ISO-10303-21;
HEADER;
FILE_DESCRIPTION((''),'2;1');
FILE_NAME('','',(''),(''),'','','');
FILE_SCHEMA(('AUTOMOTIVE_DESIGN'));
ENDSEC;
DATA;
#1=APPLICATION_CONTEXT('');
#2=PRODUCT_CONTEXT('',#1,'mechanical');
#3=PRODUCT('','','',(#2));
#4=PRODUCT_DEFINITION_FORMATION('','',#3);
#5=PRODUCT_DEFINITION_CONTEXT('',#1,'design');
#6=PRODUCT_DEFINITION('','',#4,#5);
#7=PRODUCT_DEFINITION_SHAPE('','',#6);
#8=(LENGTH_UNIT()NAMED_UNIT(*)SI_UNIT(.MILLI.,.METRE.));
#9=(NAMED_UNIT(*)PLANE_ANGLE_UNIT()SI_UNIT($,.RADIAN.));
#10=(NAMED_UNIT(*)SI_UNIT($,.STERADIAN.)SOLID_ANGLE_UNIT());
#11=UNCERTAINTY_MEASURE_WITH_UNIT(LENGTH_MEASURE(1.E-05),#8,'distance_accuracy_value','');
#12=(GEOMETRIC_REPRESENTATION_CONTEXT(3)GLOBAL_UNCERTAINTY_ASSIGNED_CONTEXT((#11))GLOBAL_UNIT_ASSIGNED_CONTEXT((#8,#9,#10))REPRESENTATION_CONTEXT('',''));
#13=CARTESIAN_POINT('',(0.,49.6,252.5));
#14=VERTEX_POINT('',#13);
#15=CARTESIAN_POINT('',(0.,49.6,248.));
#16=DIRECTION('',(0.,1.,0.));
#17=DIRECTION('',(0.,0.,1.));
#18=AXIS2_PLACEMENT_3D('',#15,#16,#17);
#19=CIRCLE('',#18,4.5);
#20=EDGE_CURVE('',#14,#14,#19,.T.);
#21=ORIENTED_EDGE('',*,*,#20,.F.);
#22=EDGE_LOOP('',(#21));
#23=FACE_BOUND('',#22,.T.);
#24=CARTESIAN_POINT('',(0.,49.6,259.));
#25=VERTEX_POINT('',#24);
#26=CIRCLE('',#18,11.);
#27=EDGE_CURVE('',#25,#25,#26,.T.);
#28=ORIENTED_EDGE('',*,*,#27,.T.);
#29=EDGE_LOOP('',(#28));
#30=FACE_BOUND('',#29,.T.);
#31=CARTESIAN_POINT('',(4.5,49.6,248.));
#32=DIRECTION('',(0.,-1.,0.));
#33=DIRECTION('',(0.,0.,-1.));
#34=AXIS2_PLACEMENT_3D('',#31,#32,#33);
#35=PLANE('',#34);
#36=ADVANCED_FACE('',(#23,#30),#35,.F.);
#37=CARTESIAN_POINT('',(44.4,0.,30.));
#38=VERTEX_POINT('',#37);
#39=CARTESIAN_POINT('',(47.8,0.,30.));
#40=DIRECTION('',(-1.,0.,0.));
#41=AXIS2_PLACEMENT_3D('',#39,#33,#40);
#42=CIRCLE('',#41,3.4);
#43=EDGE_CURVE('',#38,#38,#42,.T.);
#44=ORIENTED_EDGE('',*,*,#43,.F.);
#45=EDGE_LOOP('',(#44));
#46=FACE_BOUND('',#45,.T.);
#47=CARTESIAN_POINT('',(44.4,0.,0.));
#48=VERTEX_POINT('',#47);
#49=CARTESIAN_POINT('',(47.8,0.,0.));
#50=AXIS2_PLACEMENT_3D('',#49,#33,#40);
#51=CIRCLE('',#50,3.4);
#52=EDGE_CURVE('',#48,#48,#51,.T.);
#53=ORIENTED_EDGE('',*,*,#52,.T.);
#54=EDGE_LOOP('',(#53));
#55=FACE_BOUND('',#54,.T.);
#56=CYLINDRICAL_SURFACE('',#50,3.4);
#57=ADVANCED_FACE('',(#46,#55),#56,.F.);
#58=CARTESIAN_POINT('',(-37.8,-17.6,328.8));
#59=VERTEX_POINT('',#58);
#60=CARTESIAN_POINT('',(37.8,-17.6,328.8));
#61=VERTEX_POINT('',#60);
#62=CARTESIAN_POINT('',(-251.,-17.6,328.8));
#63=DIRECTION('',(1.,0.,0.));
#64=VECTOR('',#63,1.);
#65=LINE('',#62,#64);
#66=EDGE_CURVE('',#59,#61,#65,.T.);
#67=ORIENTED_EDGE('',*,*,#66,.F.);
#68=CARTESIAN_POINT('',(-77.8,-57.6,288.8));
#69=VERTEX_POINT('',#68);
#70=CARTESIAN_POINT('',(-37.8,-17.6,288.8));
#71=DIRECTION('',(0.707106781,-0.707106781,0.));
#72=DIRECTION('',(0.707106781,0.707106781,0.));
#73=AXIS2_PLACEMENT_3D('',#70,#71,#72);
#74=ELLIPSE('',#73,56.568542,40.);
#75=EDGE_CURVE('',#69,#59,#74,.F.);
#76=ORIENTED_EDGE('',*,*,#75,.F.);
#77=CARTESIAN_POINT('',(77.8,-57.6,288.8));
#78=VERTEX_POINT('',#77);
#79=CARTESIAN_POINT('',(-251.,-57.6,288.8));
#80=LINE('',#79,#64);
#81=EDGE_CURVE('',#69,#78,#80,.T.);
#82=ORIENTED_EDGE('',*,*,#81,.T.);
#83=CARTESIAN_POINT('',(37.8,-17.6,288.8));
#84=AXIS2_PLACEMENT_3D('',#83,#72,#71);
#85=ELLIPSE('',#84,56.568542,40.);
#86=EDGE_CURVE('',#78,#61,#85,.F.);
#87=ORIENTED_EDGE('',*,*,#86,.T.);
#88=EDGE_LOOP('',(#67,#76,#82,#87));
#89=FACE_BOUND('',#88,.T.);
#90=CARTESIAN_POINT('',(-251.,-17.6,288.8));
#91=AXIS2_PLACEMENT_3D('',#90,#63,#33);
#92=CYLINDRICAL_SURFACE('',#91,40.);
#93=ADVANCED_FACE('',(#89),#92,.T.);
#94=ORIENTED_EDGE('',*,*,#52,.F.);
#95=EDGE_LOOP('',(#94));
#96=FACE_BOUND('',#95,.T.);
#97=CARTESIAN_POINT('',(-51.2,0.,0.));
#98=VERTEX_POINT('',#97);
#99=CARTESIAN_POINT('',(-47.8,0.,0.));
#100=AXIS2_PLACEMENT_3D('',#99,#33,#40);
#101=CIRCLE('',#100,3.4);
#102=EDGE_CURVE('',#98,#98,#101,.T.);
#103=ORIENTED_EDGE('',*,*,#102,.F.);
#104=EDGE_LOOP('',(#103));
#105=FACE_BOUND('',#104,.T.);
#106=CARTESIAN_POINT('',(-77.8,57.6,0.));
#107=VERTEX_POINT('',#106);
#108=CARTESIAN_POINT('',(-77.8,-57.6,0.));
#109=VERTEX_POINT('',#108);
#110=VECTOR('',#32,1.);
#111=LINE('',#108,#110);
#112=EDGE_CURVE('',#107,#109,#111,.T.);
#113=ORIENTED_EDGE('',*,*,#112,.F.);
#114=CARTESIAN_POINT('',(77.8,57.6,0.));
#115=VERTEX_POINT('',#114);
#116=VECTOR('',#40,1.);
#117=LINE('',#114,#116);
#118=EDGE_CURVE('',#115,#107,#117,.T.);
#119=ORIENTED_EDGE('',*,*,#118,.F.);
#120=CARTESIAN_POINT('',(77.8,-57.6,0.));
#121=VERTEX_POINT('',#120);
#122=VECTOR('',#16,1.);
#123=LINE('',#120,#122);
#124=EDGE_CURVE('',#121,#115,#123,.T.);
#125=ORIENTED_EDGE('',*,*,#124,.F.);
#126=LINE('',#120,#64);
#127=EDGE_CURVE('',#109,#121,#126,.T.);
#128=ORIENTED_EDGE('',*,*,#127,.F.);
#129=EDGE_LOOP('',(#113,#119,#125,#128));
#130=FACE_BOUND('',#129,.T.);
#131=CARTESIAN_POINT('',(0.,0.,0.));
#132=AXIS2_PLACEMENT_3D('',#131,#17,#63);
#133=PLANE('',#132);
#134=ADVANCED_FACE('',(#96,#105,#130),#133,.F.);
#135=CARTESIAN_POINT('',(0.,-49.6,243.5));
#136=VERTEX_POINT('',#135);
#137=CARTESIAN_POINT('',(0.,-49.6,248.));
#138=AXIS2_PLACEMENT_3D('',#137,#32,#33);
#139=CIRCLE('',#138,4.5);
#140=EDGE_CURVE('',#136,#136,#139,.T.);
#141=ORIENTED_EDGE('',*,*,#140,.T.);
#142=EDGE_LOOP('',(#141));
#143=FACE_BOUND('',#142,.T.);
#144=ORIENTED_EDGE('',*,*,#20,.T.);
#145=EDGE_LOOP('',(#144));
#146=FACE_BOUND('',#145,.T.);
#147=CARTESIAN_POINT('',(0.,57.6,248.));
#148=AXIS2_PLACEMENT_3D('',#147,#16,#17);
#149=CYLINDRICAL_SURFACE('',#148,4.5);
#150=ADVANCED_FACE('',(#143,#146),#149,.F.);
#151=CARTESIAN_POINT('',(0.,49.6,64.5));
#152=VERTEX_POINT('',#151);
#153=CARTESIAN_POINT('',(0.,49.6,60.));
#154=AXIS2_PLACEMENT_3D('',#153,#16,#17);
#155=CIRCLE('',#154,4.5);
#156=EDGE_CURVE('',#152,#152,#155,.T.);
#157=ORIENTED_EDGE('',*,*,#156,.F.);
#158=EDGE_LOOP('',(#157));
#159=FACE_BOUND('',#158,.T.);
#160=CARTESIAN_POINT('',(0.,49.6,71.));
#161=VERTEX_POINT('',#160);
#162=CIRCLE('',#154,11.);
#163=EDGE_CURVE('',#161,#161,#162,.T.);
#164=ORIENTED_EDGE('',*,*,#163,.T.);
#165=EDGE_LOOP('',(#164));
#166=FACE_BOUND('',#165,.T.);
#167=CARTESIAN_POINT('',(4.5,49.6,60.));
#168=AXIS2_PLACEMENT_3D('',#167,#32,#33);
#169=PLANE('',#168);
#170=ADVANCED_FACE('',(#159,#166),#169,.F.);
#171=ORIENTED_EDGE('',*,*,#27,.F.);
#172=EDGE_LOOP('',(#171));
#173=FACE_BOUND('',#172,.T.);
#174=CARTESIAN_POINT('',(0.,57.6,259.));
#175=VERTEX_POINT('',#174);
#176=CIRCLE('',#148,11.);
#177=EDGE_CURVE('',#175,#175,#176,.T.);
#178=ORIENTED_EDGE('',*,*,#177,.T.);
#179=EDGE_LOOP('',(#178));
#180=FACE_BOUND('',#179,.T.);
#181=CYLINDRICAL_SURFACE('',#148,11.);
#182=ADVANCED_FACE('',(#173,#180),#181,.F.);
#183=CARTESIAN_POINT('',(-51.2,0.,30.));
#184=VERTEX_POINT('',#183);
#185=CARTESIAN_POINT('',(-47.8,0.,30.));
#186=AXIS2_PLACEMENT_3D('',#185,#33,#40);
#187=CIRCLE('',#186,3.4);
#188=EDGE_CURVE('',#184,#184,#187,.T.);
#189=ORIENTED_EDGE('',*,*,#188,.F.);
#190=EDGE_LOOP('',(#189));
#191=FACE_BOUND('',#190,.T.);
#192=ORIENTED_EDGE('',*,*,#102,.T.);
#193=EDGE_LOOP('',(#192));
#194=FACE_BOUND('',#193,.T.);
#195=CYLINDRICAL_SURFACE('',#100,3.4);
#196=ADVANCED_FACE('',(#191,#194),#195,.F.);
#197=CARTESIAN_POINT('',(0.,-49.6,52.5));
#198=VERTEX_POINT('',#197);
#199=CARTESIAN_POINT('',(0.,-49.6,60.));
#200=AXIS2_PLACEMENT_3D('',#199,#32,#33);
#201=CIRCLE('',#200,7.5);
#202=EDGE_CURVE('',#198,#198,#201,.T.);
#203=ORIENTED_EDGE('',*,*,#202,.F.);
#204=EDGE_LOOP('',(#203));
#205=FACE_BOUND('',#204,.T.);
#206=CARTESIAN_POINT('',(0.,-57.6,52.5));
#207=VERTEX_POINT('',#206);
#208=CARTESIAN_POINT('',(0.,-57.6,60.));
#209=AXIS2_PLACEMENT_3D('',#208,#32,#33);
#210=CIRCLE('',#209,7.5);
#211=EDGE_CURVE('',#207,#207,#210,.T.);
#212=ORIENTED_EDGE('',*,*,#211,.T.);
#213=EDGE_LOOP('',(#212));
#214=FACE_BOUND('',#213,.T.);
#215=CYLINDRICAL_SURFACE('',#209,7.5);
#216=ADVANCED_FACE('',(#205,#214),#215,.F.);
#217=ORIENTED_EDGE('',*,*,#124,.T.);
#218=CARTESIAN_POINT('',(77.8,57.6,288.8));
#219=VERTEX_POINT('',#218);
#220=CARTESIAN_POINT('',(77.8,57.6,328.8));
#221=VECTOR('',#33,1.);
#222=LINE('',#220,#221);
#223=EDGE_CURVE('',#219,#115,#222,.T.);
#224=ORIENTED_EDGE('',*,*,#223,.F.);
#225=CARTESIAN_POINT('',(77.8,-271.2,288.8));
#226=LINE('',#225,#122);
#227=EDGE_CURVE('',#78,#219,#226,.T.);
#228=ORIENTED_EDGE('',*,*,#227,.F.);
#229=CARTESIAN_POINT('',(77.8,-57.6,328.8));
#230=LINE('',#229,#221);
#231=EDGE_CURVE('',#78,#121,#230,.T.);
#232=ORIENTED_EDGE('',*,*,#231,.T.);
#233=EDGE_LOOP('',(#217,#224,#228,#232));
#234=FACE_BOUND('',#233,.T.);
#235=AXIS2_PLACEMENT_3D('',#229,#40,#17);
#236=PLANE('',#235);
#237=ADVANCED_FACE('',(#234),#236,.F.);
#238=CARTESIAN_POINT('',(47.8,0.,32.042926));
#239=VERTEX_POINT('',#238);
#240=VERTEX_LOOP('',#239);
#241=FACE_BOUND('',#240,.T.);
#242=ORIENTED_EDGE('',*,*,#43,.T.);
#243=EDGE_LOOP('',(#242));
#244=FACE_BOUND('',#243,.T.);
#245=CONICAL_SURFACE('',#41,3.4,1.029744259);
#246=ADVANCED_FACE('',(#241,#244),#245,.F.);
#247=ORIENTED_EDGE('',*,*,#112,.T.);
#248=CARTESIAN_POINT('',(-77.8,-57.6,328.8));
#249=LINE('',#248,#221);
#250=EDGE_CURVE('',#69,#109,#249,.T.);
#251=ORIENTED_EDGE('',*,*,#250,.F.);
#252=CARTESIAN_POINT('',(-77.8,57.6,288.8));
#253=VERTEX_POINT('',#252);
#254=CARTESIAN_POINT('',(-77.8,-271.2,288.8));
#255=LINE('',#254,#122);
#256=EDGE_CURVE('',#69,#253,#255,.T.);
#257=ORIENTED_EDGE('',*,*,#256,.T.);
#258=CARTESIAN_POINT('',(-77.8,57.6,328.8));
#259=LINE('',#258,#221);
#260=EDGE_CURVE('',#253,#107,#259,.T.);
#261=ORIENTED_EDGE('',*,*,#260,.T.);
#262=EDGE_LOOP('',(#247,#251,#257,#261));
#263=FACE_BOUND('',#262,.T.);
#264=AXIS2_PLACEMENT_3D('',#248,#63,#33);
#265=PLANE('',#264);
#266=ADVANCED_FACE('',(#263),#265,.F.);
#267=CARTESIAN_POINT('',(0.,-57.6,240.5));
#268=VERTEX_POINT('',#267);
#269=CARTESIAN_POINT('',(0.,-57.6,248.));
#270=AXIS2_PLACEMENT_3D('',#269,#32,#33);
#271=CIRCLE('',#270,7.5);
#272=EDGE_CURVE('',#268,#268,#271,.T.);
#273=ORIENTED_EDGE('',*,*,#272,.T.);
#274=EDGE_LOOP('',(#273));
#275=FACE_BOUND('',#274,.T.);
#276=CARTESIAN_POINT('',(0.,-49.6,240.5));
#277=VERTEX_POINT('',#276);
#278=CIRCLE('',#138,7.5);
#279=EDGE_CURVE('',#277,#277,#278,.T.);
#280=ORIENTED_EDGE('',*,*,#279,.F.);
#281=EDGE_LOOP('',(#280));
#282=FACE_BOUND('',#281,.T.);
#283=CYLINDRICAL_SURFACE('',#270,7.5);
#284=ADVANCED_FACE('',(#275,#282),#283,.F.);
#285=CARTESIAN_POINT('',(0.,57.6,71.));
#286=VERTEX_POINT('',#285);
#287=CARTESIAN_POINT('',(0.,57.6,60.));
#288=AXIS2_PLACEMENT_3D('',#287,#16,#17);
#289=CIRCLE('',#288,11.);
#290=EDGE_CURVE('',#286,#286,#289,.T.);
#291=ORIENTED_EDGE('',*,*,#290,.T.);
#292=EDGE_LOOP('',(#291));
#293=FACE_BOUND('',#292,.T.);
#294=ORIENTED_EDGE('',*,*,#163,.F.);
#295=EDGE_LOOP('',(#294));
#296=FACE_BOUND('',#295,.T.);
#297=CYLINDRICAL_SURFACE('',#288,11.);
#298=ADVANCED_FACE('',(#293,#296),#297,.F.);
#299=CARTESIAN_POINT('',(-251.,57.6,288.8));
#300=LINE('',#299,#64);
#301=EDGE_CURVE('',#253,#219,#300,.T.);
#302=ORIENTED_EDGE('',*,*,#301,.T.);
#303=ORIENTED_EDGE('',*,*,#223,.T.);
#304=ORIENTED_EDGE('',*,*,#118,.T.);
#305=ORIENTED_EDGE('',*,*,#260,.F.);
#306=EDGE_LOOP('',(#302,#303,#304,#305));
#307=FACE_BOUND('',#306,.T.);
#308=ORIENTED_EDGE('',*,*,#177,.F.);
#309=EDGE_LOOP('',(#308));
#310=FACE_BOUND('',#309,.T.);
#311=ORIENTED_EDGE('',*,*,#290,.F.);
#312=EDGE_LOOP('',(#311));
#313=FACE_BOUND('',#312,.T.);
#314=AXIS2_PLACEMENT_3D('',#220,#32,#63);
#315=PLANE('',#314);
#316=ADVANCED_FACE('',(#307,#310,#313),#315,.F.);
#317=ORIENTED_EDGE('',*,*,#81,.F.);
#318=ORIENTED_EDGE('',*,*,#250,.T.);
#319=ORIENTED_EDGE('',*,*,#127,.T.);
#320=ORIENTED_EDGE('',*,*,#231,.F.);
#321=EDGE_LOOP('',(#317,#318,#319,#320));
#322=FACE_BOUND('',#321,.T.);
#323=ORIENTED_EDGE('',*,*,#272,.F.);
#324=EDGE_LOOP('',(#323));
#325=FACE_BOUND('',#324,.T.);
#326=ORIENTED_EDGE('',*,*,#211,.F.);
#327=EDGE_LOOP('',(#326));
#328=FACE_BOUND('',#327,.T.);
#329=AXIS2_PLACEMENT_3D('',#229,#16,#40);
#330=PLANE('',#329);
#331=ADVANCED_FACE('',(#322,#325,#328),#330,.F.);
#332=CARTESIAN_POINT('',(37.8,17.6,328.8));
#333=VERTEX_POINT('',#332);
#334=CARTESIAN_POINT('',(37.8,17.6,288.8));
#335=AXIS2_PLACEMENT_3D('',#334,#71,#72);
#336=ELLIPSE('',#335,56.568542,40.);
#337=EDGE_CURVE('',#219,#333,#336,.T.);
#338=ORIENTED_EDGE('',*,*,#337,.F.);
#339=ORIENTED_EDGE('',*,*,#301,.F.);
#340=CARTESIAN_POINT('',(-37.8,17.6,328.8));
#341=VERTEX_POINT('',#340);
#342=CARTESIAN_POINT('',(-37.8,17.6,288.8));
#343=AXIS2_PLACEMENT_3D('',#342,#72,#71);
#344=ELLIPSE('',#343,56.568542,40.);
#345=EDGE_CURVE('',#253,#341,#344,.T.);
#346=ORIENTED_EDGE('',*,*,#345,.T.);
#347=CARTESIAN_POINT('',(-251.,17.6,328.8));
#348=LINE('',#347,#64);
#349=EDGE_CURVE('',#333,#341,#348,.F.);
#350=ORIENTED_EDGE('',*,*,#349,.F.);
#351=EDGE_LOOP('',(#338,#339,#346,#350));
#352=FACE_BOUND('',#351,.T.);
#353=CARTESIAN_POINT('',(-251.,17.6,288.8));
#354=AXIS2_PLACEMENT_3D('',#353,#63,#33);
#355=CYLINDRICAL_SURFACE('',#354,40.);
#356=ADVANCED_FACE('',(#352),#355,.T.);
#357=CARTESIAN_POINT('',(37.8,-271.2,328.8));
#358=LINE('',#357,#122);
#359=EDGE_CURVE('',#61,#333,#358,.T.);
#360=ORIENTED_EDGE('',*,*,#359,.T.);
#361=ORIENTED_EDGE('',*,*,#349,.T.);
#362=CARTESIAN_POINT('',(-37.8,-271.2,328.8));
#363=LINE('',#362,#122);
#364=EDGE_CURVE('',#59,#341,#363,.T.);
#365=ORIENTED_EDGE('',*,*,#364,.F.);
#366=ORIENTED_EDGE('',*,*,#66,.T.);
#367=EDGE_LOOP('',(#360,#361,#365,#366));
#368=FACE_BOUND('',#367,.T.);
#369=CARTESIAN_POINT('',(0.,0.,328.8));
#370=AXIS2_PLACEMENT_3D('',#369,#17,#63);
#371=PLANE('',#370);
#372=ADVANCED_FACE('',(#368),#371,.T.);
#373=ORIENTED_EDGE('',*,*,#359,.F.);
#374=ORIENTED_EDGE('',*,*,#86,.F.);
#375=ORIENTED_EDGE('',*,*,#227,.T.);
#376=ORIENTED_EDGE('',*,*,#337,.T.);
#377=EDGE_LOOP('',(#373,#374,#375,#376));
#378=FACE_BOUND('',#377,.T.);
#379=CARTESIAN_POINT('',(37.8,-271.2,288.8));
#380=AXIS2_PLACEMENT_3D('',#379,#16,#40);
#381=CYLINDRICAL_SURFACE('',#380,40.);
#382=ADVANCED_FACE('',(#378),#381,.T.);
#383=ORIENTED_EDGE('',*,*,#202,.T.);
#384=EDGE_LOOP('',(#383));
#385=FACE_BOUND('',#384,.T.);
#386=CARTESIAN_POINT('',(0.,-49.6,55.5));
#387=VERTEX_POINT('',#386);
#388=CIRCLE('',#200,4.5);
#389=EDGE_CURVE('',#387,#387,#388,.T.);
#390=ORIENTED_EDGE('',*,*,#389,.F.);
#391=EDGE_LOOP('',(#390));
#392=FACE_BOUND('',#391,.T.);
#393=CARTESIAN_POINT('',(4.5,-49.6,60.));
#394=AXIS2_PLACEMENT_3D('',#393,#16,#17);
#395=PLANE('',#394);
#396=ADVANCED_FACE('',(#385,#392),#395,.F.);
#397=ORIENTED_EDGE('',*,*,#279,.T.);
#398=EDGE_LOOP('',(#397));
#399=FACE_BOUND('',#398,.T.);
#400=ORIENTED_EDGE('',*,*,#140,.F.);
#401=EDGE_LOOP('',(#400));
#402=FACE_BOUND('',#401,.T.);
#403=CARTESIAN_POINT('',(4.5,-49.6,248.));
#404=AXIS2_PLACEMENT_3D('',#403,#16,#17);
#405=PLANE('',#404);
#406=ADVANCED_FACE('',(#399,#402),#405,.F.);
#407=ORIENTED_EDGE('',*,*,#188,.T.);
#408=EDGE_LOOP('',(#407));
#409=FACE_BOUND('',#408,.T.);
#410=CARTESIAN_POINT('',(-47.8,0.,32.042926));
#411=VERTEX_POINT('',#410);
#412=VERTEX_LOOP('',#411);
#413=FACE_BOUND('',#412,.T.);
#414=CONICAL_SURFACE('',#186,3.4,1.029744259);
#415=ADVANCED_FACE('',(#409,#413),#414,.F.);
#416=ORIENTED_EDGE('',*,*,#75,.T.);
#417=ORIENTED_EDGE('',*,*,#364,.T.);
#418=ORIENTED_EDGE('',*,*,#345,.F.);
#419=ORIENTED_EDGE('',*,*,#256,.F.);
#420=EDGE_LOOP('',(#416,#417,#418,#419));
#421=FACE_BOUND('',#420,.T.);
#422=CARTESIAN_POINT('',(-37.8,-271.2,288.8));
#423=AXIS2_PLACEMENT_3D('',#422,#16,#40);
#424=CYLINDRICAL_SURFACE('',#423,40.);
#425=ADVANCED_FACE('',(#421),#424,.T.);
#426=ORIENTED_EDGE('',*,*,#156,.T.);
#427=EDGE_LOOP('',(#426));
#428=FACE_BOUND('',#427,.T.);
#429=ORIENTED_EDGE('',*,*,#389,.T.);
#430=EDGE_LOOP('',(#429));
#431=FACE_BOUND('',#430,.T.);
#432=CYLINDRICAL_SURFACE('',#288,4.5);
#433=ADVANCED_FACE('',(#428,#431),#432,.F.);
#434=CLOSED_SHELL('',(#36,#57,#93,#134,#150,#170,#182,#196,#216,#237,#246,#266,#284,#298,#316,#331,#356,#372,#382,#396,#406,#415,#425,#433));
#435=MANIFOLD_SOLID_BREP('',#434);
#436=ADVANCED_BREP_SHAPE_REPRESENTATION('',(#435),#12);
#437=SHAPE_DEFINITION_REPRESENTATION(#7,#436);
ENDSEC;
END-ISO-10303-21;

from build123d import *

# Parameters (mm, degrees)
SKIZZE1_W                                           = 155.6
SKIZZE1_H                                           = 115.2
AUFSATZ_LINEAR_AUSTRAGEN1_DEPTH                     = 328.8
SCHNITT_LINEAR_AUSTRAGEN1_DEPTH                     = 328.8
SCHNITT_LINEAR_AUSTRAGEN2_DEPTH                     = 328.8
KERNLOCH_F_R_M8X1_251_D                             = 6.8
KERNLOCH_F_R_M8X1_251_DEPTH                         = 30
KERNLOCH_F_R_M8X1_251_TIP                           = 2.042926105
STIRNSENKUNG_F_R_M8_SENKSCHRAUBE_KOPF_B_D           = 9
STIRNSENKUNG_F_R_M8_SENKSCHRAUBE_KOPF_B_CBORE_D     = 22
STIRNSENKUNG_F_R_M8_SENKSCHRAUBE_KOPF_B_CBORE_DEPTH = 8
STIRNSENKUNG_F_R_M8_SENKSCHRAUBE_KO_2_D             = 9
STIRNSENKUNG_F_R_M8_SENKSCHRAUBE_KO_2_CBORE_D       = 15
STIRNSENKUNG_F_R_M8_SENKSCHRAUBE_KO_2_CBORE_DEPTH   = 8


with BuildPart() as part:
    # Skizze1 → Aufsatz-Linear austragen1 (new body)
    with BuildSketch(Plane.XY):
        Rectangle(SKIZZE1_W, SKIZZE1_H)
    extrude(amount=AUFSATZ_LINEAR_AUSTRAGEN1_DEPTH)

    # Skizze2 → Schnitt-Linear austragen1 (cut)
    with BuildSketch(Plane(origin=(77.8, 0, 0), x_dir=(0, 0, -1), z_dir=(1, 0, 0))):
        with BuildLine():
            Line((-288.8, 57.6), (-212.381166773, 57.6))
            Line((-212.381166773, 57.6), (-328.8, 118.277888245))
            Line((-328.8, 118.277888245), (-328.8, 17.6))
            ThreePointArc((-328.8, 17.6), (-317.084271247, 45.884271247), (-288.8, 57.6))
        make_face()
    schnitt_linear_austragen1 = extrude(amount=-SCHNITT_LINEAR_AUSTRAGEN1_DEPTH, mode=Mode.SUBTRACT)

    # Spiegeln1: Schnitt-Linear austragen1 across plane
    add(schnitt_linear_austragen1.mirror(Plane.ZX), mode=Mode.SUBTRACT)

    # Skizze3 → Schnitt-Linear austragen2 (cut)
    with BuildSketch(Plane(origin=(0, 57.6, 0), x_dir=(1, 0, 0), z_dir=(0, 1, 0))):
        with BuildLine():
            Line((-77.8, -328.8), (-77.8, -288.8))
            ThreePointArc((-77.8, -288.8), (-66.084271247, -317.084271247), (-37.8, -328.8))
            Line((-37.8, -328.8), (-77.8, -328.8))
        make_face()
    schnitt_linear_austragen2 = extrude(amount=-SCHNITT_LINEAR_AUSTRAGEN2_DEPTH, mode=Mode.SUBTRACT)

    # Spiegeln2: Schnitt-Linear austragen2 across plane
    add(schnitt_linear_austragen2.mirror(Plane(origin=(0, 0, 0), x_dir=(0, 0, 1), z_dir=(1, 0, 0))), mode=Mode.SUBTRACT)

    # Kernloch für M8x1.251
    with Locations(Plane(origin=(0, 0, 0), x_dir=(-1, 0, 0), z_dir=(0, 0, -1))):
        with Locations((-47.8, 0), (47.8, 0)):
            Hole(KERNLOCH_F_R_M8X1_251_D / 2, depth=KERNLOCH_F_R_M8X1_251_DEPTH)
            with Locations((0, 0, -(KERNLOCH_F_R_M8X1_251_DEPTH + KERNLOCH_F_R_M8X1_251_TIP / 2))):  # 118° drill point
                Cone(0, KERNLOCH_F_R_M8X1_251_D / 2, KERNLOCH_F_R_M8X1_251_TIP, mode=Mode.SUBTRACT)

    # Stirnsenkung f_r M8 Senkschraube _Kopf B (through all)
    with Locations(Plane(origin=(0, 57.6, 0), x_dir=(1, 0, 0), z_dir=(0, 1, 0))):
        with Locations((0, -248), (0, -60)):
            CounterBoreHole(STIRNSENKUNG_F_R_M8_SENKSCHRAUBE_KOPF_B_D / 2, STIRNSENKUNG_F_R_M8_SENKSCHRAUBE_KOPF_B_CBORE_D / 2, STIRNSENKUNG_F_R_M8_SENKSCHRAUBE_KOPF_B_CBORE_DEPTH)

    # Stirnsenkung f_r M8 Senkschraube _Ko 2 (through all)
    with Locations(Plane(origin=(0, -57.6, 0), x_dir=(-1, 0, 0), z_dir=(0, -1, 0))):
        with Locations((0, -248), (0, -60)):
            CounterBoreHole(STIRNSENKUNG_F_R_M8_SENKSCHRAUBE_KO_2_D / 2, STIRNSENKUNG_F_R_M8_SENKSCHRAUBE_KO_2_CBORE_D / 2, STIRNSENKUNG_F_R_M8_SENKSCHRAUBE_KO_2_CBORE_DEPTH)


solid = part.part
